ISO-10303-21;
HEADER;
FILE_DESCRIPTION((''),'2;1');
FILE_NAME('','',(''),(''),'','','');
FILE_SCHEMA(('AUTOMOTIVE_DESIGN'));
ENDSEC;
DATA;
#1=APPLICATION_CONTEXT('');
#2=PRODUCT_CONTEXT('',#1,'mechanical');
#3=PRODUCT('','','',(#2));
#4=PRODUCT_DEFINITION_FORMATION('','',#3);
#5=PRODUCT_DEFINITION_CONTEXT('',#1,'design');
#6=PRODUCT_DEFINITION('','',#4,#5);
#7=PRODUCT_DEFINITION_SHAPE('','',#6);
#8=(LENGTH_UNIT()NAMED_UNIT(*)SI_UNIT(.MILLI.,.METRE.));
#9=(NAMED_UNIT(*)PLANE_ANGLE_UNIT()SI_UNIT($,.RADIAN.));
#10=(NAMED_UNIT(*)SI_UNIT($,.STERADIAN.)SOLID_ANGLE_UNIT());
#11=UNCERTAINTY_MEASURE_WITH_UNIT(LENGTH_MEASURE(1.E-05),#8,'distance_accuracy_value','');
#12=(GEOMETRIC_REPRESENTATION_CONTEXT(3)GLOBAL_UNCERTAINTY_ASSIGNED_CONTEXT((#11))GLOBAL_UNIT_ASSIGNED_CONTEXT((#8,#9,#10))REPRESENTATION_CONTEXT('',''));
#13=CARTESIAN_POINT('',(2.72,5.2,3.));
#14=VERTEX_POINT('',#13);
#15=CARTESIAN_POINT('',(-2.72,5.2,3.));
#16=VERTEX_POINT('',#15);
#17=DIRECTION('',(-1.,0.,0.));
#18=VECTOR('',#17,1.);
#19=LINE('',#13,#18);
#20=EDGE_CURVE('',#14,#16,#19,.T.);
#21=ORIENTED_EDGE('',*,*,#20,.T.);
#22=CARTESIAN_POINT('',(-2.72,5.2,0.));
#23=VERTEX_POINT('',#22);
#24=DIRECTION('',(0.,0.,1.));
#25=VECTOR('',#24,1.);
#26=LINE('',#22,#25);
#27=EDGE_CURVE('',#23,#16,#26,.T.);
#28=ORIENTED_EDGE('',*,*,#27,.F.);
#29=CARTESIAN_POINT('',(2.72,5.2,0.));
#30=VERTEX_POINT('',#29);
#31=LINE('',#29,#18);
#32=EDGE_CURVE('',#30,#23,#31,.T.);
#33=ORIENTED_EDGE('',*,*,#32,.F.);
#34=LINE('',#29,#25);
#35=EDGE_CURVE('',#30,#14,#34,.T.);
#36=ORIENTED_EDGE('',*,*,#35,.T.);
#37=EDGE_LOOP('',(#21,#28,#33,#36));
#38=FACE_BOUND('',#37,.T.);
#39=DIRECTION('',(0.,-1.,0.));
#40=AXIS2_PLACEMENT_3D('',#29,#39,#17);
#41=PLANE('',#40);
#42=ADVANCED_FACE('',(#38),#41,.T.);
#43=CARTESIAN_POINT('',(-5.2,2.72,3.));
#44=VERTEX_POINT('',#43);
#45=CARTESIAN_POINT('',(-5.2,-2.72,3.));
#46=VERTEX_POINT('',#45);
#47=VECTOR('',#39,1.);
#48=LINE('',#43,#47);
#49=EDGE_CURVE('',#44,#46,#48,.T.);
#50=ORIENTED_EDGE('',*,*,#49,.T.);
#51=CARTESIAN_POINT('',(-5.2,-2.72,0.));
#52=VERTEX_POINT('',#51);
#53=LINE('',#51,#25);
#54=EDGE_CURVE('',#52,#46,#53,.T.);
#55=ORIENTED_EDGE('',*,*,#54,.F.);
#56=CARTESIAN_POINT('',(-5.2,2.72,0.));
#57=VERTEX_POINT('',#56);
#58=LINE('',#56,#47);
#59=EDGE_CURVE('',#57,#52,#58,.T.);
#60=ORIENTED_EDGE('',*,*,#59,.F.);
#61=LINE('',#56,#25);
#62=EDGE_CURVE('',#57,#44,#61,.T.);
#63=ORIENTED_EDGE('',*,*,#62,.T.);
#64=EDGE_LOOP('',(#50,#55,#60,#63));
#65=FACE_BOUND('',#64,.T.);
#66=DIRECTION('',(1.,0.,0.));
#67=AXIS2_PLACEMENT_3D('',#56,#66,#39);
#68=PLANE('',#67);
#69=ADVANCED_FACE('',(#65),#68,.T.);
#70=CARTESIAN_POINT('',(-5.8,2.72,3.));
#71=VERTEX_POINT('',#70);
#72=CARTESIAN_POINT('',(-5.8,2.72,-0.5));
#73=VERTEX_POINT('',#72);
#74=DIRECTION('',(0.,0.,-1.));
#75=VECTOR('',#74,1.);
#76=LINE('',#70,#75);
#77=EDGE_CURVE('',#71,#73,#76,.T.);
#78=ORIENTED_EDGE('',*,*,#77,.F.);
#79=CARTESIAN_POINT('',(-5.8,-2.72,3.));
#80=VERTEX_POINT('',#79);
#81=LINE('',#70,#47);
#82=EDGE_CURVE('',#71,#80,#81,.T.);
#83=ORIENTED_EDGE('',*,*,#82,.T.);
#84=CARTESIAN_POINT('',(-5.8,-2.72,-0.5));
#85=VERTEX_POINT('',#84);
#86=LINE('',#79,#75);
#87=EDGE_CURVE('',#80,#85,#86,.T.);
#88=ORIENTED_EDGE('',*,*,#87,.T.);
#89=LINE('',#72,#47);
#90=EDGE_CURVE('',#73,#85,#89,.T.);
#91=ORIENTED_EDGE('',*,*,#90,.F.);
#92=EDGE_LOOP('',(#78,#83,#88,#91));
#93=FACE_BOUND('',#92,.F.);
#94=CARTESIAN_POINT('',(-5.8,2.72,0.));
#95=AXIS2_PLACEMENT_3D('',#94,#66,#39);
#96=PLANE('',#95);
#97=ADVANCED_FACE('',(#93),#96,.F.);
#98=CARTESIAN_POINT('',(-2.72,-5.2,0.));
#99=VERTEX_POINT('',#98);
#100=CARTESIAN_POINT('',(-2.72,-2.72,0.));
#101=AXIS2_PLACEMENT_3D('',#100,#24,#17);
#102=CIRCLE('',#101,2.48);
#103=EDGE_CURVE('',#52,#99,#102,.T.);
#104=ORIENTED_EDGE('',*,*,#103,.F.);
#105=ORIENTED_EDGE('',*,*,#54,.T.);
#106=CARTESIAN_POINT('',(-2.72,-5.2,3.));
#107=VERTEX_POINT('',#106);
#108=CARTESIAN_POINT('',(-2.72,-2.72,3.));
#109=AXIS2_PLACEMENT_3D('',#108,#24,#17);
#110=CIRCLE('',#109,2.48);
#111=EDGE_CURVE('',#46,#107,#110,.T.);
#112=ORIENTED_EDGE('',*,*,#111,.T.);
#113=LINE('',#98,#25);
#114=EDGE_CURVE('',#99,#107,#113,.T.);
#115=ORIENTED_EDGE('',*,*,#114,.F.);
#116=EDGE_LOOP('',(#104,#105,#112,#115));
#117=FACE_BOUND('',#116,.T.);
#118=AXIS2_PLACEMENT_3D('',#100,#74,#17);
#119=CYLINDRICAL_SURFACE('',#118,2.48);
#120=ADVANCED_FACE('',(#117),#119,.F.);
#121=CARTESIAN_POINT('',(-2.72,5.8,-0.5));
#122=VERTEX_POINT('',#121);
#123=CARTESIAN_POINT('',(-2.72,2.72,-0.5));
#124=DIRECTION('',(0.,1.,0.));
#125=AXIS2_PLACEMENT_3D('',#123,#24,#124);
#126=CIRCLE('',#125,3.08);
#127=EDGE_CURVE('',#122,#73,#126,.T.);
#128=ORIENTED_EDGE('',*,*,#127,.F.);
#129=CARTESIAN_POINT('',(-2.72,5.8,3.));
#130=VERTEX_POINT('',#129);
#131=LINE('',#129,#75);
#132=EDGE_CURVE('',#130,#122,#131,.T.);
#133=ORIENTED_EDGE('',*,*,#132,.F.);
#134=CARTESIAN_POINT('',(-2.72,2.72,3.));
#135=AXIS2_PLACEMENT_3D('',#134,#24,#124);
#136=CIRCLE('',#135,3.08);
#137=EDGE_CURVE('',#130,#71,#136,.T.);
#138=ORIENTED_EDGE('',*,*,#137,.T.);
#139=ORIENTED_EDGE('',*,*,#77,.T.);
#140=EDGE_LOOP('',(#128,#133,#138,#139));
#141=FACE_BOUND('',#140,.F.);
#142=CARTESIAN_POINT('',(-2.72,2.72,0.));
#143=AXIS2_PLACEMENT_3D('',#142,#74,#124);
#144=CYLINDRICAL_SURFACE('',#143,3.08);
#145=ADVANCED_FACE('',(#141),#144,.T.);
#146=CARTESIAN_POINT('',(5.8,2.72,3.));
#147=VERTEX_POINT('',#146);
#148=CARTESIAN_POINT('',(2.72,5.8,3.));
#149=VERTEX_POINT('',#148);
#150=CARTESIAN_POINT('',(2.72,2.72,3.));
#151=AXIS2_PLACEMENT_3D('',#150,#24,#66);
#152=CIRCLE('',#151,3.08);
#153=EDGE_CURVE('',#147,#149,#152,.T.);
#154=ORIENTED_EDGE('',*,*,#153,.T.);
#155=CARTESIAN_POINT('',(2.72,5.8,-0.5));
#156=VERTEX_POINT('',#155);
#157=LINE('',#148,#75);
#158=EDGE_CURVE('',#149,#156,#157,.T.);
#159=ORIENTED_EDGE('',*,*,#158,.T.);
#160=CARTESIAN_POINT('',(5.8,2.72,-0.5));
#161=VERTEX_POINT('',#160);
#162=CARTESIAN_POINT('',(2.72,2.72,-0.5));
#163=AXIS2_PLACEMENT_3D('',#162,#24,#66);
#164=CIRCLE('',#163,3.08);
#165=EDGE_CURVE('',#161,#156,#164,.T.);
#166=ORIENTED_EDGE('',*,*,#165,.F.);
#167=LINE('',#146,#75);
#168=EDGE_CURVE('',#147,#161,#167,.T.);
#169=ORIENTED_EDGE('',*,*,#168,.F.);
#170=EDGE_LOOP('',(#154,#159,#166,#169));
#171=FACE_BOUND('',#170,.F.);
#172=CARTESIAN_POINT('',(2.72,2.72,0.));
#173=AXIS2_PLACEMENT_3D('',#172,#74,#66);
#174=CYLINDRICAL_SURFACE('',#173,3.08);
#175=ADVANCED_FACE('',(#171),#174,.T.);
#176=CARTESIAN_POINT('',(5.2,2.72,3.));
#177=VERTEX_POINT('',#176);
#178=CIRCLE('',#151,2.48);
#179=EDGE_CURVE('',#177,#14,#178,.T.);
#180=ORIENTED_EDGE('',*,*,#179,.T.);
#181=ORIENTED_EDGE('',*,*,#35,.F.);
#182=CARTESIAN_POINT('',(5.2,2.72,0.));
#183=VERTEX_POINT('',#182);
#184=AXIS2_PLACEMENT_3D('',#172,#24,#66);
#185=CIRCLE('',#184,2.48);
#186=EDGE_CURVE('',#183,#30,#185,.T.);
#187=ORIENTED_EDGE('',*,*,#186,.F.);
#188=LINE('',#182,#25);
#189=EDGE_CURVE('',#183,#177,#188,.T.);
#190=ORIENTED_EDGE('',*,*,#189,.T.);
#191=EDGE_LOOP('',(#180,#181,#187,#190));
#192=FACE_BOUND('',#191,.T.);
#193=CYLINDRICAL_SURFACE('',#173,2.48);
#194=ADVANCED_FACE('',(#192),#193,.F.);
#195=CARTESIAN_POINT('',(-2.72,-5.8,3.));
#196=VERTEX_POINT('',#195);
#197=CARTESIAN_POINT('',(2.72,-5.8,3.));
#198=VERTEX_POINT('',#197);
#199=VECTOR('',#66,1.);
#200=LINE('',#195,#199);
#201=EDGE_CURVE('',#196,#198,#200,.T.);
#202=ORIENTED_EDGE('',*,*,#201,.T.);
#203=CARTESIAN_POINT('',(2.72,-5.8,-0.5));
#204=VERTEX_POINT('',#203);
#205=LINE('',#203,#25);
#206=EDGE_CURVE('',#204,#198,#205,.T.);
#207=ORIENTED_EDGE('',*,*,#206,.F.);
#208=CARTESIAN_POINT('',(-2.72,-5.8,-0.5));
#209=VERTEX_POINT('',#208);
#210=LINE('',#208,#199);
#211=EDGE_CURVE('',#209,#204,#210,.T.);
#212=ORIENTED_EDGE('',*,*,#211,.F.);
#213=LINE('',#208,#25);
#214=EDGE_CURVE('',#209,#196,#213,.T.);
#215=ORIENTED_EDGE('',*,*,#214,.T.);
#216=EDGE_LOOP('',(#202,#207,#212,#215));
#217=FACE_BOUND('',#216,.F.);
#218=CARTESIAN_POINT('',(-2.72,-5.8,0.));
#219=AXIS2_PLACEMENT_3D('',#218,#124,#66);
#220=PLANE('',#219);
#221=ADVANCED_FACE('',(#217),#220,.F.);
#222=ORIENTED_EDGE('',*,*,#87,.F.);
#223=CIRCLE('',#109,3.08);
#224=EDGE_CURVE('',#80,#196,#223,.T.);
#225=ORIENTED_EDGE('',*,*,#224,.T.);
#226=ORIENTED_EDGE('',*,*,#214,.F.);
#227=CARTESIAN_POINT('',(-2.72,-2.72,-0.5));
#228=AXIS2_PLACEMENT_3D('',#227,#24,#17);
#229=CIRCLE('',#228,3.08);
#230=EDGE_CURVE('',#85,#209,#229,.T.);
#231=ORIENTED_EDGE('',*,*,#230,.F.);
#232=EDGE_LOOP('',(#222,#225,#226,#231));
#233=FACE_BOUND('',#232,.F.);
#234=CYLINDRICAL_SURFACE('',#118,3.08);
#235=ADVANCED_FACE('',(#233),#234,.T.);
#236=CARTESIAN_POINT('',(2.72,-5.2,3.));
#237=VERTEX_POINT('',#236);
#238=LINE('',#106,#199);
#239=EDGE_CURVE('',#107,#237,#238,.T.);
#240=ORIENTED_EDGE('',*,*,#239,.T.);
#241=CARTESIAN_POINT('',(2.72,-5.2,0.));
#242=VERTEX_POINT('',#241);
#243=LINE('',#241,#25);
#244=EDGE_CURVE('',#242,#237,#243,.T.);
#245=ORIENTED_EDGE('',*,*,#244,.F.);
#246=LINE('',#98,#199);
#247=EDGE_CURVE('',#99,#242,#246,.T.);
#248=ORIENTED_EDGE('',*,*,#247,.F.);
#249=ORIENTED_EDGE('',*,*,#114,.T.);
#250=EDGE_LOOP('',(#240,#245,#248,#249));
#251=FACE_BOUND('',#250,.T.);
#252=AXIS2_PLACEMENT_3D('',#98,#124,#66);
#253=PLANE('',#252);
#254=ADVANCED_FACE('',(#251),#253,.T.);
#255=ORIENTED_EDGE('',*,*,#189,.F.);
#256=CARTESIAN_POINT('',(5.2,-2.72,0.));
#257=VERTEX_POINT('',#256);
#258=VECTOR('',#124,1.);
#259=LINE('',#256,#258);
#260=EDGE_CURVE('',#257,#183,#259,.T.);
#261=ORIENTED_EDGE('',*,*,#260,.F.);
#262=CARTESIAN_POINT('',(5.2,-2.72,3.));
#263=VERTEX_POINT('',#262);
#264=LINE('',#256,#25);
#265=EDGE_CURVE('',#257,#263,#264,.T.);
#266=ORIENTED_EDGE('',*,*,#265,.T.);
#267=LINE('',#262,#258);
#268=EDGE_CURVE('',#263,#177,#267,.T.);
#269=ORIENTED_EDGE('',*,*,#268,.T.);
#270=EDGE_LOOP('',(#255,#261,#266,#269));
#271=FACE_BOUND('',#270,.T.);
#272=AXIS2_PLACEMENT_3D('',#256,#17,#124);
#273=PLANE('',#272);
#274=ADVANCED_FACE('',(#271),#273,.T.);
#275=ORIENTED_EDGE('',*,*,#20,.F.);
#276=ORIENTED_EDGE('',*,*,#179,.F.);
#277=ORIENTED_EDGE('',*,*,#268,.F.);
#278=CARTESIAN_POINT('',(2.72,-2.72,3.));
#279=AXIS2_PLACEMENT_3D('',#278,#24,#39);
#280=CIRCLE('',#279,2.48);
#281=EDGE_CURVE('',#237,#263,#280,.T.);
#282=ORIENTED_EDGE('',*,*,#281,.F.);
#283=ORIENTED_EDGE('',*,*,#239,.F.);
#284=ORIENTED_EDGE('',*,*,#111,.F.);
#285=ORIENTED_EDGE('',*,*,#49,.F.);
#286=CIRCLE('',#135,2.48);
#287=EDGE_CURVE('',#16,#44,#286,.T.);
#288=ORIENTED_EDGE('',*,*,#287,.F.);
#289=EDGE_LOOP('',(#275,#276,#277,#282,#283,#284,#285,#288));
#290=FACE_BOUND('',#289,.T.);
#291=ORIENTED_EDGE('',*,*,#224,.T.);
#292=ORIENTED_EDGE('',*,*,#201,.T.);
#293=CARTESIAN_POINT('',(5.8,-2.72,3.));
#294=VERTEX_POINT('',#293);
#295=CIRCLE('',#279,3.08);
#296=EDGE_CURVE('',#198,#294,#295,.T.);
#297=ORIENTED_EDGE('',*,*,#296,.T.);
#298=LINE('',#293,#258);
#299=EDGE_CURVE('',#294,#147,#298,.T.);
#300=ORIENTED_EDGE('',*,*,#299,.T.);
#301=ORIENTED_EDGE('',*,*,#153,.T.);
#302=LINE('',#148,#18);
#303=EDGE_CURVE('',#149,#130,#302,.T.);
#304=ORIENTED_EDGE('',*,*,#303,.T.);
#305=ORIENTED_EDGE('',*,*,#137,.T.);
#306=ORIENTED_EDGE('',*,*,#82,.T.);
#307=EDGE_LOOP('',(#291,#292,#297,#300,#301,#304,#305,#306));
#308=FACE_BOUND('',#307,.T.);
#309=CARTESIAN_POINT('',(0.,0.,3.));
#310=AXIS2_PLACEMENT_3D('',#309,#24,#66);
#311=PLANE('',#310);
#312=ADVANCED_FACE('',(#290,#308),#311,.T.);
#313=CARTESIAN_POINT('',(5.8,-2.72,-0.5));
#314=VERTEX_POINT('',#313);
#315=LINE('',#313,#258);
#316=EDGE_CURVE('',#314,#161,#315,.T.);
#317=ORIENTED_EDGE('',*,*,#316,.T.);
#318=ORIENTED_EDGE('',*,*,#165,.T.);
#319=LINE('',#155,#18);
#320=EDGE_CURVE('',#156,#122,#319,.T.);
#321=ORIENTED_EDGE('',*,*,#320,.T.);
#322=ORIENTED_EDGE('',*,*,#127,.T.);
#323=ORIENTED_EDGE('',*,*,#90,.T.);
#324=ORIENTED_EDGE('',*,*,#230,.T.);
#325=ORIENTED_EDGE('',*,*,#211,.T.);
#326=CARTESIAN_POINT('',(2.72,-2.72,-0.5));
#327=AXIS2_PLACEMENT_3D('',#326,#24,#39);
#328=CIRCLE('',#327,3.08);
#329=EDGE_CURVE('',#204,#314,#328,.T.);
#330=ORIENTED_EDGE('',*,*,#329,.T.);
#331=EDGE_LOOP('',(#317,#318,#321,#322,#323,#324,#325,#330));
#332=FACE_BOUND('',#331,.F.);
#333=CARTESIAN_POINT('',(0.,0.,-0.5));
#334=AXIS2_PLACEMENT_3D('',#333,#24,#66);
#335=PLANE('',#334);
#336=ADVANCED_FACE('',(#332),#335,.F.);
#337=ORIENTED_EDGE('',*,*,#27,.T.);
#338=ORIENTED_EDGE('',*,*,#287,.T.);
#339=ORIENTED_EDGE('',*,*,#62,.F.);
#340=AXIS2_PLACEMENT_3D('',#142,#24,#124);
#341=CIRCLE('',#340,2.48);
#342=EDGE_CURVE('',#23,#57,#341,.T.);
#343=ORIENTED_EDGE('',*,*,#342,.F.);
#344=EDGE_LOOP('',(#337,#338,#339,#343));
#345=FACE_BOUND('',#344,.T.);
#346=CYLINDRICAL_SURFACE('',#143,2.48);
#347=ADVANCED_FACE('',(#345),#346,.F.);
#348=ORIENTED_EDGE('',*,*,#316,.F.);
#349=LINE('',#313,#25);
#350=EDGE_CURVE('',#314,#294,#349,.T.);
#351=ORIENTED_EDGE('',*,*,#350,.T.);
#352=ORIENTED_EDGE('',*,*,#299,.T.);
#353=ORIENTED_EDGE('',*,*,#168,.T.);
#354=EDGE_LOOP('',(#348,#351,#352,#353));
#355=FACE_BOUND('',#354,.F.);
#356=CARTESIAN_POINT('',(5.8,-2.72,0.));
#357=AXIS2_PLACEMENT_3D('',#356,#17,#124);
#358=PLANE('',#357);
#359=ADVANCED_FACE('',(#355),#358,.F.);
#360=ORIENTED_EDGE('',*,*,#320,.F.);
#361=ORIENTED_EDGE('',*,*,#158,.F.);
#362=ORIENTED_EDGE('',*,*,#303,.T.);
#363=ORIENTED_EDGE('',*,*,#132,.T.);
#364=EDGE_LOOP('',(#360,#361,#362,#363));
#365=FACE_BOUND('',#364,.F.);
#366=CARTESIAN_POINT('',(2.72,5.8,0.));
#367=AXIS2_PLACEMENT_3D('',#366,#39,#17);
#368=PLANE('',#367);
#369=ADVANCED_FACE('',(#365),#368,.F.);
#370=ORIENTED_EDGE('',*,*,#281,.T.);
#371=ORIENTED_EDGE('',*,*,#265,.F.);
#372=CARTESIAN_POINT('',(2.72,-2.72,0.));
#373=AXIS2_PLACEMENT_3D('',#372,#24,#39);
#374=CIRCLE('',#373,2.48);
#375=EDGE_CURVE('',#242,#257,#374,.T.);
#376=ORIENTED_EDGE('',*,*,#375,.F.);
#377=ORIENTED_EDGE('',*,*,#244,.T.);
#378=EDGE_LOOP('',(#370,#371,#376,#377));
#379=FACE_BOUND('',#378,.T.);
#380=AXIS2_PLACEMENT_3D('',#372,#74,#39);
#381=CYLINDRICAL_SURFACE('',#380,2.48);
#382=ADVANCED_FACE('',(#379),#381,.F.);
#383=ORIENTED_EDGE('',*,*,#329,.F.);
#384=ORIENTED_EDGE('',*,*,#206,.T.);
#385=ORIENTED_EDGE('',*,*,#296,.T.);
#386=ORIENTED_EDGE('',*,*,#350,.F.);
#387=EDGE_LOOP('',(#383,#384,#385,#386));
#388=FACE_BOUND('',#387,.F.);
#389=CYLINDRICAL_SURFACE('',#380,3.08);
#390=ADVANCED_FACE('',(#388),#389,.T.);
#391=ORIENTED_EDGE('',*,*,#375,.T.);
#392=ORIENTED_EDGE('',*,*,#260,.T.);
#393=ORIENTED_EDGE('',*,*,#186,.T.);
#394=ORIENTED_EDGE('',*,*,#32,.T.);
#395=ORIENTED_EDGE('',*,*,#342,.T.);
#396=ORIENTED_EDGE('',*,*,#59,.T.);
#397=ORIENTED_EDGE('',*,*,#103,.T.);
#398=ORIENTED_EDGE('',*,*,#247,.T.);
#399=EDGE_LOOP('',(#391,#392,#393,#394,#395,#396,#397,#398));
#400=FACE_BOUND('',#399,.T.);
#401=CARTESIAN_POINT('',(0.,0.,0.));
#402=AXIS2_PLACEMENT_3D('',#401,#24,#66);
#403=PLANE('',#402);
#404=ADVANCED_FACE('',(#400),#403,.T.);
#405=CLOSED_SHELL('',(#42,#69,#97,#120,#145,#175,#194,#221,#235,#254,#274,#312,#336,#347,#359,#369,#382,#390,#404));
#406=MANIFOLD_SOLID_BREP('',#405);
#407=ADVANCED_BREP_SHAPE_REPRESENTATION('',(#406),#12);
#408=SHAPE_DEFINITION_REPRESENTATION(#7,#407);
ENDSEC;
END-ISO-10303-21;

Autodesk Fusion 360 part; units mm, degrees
sketch "Sketch1" plane through (0, 0, 0) normal (0, 0, 1) x (1, 0, 0)
  line L0 (2.72, 5) -> (-2.72, 5)
  line L1 (-5, 2.72) -> (-5, -2.72)
  line L2 (-2.72, -5) -> (2.72, -5)
  line L3 (5, -2.72) -> (5, 2.72)
  line L4 (5, 5) -> (-5, -5) construction
  line L5 (-5, 5) -> (5, -5) construction
  arc A0 (5, 2.72) -> (2.72, 5) centre (2.72, 2.72) ccw
  arc A1 (2.72, -5) -> (5, -2.72) centre (2.72, -2.72) ccw
  arc A2 (-5, -2.72) -> (-2.72, -5) centre (-2.72, -2.72) ccw
  arc A3 (-2.72, 5) -> (-5, 2.72) centre (-2.72, 2.72) ccw
  line L6 (-2.72, -5.2) -> (2.72, -5.2)
  arc A4 (2.72, -5.2) -> (5.2, -2.72) centre (2.72, -2.72) ccw
  line L7 (5.2, -2.72) -> (5.2, 2.72)
  arc A5 (5.2, 2.72) -> (2.72, 5.2) centre (2.72, 2.72) ccw
  line L8 (2.72, 5.2) -> (-2.72, 5.2)
  arc A6 (-2.72, 5.2) -> (-5.2, 2.72) centre (-2.72, 2.72) ccw
  line L9 (-5.2, 2.72) -> (-5.2, -2.72)
  arc A7 (-5.2, -2.72) -> (-2.72, -5.2) centre (-2.72, -2.72) ccw
  line L10 (-2.72, -5.8) -> (2.72, -5.8)
  arc A8 (2.72, -5.8) -> (5.8, -2.72) centre (2.72, -2.72) ccw
  line L11 (5.8, -2.72) -> (5.8, 2.72)
  arc A9 (5.8, 2.72) -> (2.72, 5.8) centre (2.72, 2.72) ccw
  line L12 (2.72, 5.8) -> (-2.72, 5.8)
  arc A10 (-2.72, 5.8) -> (-5.8, 2.72) centre (-2.72, 2.72) ccw
  line L13 (-5.8, 2.72) -> (-5.8, -2.72)
  arc A11 (-5.8, -2.72) -> (-2.72, -5.8) centre (-2.72, -2.72) ccw
  dimension "d1" = 10
  dimension "d2" = 10
  dimension "d3" = 2.28
  dimension "d4" = 0.2
  dimension "d5" = 0.8
extrude "Extrude1" add sketch "Sketch1" along normal blind 3 contours L10 A8 L11 A9 L12 A10 L13 A11
extrude "Extrude2" add sketch "Sketch1" against normal blind 0.5 contours L0 L1 L2 L3 A0 A1 A2 A3 | L6 A4 L7 A5 L8 A6 L9 A7 | L10 A8 L11 A9 L12 A10 L13 A11
